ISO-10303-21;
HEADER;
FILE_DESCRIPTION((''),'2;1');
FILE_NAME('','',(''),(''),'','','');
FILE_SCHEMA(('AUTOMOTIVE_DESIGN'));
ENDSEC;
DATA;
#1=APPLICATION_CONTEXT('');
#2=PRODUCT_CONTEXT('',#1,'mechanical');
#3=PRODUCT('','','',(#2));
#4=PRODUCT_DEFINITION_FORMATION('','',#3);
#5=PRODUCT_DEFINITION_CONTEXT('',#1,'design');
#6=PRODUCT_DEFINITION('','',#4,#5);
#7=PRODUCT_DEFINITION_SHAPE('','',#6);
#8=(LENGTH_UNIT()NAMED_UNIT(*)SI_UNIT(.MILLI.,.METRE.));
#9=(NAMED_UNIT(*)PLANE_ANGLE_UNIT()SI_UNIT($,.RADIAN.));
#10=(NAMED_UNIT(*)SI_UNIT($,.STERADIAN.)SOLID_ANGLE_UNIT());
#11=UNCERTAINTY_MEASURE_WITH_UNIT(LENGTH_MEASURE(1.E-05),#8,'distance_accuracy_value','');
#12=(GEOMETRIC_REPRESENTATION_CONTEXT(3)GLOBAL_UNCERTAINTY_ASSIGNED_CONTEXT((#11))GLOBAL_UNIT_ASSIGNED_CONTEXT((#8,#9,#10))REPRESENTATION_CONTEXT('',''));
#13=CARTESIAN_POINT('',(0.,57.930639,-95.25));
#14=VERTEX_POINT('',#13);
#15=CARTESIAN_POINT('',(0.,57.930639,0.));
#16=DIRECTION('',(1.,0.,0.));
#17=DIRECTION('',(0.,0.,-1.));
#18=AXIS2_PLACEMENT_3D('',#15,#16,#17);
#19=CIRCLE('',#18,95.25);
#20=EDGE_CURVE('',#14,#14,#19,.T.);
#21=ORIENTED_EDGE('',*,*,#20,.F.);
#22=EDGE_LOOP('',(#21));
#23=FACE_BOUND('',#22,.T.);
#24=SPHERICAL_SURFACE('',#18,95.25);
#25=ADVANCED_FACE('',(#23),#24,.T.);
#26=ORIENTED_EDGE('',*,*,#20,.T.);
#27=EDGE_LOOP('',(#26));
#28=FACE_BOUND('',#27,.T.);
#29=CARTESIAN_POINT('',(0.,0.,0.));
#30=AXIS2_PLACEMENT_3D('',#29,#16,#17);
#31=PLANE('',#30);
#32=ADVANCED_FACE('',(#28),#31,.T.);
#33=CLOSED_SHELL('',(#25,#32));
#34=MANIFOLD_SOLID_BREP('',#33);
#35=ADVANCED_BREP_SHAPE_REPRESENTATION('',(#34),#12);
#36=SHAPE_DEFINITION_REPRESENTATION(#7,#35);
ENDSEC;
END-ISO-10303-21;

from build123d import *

# Parameters (mm, degrees)
SKETCH2_W          = 295.320100422
SKETCH2_H          = 328.051337738
CUT_EXTRUDE1_DEPTH = 95.25


with BuildPart() as part:
    # Sketch1 → Revolve1 (revolve)
    with BuildSketch(Plane.XY):
        with BuildLine():
            Line((0, 153.180638981), (0, -37.319361019))
            ThreePointArc((0, -37.319361019), (95.25, 57.930638981), (0, 153.180638981))
        make_face()
    revolve(axis=Axis((0, 153.180638981, 0), (0, -1, 0)))

    # Sketch2 → Cut-Extrude1 (cut)
    with BuildSketch(Plane(origin=(0, 0, 0), x_dir=(0, 0, -1), z_dir=(1, 0, 0))):
        Rectangle(SKETCH2_W, SKETCH2_H)
    extrude(amount=CUT_EXTRUDE1_DEPTH, mode=Mode.SUBTRACT)


solid = part.part
